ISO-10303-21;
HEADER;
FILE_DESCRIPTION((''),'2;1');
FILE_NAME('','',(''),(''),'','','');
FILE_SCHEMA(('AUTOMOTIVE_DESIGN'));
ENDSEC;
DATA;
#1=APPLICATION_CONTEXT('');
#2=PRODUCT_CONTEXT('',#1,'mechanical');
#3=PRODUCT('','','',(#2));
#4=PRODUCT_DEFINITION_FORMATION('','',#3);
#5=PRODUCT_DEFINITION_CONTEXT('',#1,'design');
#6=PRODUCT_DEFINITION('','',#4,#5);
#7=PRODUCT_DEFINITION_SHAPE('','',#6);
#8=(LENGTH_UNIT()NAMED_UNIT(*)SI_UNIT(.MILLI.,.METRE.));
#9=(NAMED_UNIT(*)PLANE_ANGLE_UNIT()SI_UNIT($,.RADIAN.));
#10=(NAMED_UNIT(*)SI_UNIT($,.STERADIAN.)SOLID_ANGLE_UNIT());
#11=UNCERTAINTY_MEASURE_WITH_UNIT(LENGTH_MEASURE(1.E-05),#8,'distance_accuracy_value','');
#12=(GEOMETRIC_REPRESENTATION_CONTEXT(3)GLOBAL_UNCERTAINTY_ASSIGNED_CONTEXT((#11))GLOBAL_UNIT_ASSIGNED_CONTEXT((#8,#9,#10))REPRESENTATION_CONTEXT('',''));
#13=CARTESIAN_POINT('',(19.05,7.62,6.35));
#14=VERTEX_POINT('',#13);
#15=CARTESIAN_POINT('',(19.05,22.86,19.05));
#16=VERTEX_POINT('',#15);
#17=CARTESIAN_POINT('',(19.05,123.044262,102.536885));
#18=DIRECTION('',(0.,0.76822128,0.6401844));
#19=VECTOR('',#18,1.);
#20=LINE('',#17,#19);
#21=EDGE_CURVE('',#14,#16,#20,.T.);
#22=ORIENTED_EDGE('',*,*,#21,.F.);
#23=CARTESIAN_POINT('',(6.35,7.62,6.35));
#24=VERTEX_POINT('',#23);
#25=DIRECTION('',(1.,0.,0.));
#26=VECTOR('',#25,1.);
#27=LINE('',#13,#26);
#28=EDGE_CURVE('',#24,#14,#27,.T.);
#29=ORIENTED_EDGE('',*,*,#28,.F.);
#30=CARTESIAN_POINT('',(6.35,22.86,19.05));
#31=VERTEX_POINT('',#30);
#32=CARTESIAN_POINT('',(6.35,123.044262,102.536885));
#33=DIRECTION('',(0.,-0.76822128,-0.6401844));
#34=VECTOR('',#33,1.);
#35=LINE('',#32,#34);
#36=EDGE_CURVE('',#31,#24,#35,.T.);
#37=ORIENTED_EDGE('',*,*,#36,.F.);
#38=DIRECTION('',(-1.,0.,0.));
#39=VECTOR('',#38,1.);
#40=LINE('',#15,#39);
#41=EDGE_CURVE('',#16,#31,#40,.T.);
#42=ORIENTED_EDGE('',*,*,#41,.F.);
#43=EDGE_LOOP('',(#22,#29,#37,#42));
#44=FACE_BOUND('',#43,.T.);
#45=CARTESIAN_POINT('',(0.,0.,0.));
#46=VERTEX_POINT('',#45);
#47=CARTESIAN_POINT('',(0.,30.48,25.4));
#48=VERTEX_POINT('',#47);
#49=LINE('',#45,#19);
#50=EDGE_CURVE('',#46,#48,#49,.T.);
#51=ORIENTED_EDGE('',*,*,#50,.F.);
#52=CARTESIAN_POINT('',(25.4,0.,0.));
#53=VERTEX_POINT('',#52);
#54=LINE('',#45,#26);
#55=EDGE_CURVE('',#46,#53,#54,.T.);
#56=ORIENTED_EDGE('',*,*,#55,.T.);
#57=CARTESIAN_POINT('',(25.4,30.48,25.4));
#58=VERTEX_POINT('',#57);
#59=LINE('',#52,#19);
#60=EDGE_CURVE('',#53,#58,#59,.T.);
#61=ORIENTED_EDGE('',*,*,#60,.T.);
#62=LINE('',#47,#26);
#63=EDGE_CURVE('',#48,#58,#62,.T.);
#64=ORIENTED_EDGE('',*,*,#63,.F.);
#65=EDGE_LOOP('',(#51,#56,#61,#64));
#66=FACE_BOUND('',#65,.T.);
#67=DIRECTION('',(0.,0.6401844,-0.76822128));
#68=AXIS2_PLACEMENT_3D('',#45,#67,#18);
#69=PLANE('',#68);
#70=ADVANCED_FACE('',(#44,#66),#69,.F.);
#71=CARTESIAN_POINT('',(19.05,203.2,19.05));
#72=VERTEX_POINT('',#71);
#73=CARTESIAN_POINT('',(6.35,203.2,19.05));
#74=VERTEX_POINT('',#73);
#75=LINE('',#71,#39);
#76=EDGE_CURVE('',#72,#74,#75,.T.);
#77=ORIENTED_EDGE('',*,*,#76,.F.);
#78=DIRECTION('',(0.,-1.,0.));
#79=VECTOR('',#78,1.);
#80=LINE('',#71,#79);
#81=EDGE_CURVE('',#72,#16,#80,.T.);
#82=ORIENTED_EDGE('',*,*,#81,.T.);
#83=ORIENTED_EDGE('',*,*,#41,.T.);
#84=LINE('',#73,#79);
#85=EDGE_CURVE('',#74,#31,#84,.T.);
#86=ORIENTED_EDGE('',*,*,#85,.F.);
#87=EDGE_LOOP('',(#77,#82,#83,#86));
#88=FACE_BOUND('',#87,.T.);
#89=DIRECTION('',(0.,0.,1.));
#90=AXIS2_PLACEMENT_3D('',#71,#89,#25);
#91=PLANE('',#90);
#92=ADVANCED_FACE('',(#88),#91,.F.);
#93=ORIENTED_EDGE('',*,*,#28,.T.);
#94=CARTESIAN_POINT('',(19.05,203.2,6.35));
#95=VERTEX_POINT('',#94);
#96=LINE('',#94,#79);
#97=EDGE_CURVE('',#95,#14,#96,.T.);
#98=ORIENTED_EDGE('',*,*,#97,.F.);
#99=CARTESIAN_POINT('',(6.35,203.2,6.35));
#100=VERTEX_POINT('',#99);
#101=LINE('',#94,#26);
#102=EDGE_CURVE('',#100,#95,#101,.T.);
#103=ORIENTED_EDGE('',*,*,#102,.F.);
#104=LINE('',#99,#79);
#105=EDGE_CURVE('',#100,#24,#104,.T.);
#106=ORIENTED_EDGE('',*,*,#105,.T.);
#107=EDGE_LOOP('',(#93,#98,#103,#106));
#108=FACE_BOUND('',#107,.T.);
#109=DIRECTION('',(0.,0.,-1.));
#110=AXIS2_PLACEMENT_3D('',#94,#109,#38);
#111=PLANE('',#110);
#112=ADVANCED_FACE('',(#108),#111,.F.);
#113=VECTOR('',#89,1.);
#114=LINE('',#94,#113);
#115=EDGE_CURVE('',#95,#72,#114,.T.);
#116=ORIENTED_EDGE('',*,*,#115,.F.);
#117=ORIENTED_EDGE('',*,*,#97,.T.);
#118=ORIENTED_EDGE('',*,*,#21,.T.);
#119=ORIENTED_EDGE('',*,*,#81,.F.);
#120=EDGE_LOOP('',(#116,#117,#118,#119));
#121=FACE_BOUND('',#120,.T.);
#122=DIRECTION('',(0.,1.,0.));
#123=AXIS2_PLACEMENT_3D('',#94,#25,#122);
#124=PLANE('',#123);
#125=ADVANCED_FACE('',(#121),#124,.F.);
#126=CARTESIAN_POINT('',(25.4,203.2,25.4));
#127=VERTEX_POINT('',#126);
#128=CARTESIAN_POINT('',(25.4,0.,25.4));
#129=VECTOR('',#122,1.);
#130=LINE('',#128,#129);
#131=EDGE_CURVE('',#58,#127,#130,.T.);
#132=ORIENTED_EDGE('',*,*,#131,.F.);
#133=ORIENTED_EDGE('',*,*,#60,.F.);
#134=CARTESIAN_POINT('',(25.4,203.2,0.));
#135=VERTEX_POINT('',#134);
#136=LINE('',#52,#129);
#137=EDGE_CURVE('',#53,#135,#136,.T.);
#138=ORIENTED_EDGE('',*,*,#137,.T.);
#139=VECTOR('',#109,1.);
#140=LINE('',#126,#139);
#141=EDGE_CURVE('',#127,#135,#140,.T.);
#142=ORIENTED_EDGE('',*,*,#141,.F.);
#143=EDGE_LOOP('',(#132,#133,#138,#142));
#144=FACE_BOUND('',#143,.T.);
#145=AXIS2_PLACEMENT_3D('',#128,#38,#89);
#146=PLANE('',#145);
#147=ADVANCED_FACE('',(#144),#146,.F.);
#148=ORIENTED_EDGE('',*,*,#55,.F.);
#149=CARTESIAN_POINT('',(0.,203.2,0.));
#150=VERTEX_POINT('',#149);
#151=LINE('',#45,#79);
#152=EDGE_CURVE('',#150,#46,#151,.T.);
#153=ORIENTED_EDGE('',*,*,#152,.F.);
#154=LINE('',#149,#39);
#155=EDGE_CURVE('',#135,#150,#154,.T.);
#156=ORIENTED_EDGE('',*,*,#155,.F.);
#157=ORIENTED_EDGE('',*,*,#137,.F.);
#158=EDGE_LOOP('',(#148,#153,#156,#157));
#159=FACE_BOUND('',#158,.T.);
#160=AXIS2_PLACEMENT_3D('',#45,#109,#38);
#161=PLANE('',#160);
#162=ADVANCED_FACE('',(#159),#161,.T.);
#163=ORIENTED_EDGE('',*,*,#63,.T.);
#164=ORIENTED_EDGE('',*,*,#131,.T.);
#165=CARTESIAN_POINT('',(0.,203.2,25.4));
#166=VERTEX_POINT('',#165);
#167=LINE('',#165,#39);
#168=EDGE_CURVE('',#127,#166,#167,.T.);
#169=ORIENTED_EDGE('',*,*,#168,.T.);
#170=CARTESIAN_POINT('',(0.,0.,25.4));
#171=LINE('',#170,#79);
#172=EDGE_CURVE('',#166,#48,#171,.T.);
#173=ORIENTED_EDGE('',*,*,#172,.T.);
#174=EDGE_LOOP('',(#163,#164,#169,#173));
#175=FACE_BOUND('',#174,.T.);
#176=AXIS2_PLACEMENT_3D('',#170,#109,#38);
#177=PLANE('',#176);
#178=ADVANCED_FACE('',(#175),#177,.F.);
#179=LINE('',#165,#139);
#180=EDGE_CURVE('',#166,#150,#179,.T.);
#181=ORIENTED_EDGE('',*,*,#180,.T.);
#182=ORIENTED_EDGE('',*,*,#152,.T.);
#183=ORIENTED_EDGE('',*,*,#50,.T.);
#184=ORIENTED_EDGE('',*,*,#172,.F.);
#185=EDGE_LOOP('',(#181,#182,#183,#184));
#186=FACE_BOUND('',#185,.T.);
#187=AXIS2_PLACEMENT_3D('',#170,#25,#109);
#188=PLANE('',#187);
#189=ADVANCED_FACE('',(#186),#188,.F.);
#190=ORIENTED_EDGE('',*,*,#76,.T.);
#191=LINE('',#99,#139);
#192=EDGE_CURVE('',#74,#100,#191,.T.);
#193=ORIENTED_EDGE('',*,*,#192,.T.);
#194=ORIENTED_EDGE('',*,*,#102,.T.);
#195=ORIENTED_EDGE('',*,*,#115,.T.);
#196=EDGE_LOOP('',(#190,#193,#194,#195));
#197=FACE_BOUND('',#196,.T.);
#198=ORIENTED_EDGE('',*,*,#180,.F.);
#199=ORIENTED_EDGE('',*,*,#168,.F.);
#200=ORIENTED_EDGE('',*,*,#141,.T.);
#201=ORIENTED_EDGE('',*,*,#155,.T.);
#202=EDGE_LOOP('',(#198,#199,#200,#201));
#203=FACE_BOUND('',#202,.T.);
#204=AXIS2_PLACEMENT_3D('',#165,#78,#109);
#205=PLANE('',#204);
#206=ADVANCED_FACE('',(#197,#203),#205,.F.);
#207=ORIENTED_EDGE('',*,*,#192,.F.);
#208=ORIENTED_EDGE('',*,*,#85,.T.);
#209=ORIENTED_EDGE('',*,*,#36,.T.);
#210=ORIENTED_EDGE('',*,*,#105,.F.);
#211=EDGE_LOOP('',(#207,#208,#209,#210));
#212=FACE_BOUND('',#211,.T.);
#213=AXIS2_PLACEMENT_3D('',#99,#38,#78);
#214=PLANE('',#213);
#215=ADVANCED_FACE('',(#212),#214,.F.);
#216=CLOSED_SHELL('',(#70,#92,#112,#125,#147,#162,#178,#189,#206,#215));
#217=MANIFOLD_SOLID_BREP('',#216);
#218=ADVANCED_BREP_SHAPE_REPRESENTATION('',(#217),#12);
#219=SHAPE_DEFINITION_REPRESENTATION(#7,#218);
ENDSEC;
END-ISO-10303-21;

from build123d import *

# Parameters (mm, degrees)
SKETCH2_W           = 25.4
SKETCH2_H           = 203.2
BOSS_EXTRUDE2_DEPTH = 25.4
SKETCH3_W           = 12.7
SKETCH3_H           = 12.7
CUT_EXTRUDE1_DEPTH  = 207.350575478
CUT_EXTRUDE2_DEPTH  = 207.350575478


with BuildPart() as part:
    # Sketch2 → Boss-Extrude2 (new body)
    with BuildSketch(Plane.XY):
        with Locations((12.7, 101.6)):
            Rectangle(SKETCH2_W, SKETCH2_H)
    extrude(amount=BOSS_EXTRUDE2_DEPTH)

    # Sketch3 → Cut-Extrude1 (cut, through all)
    with BuildSketch(Plane.XZ):
        with Locations((12.7, 12.7)):
            Rectangle(SKETCH3_W, SKETCH3_H)
    extrude(amount=-CUT_EXTRUDE1_DEPTH, mode=Mode.SUBTRACT)

    # Sketch4 → Cut-Extrude2 (cut, through all)
    with BuildSketch(Plane(origin=(25.4, 0, 0), x_dir=(0, 0, -1), z_dir=(1, 0, 0))):
        Polygon((0, 0), (-25.4, 30.48), (-25.4, 0), align=None)
    extrude(amount=-CUT_EXTRUDE2_DEPTH, mode=Mode.SUBTRACT)


solid = part.part
